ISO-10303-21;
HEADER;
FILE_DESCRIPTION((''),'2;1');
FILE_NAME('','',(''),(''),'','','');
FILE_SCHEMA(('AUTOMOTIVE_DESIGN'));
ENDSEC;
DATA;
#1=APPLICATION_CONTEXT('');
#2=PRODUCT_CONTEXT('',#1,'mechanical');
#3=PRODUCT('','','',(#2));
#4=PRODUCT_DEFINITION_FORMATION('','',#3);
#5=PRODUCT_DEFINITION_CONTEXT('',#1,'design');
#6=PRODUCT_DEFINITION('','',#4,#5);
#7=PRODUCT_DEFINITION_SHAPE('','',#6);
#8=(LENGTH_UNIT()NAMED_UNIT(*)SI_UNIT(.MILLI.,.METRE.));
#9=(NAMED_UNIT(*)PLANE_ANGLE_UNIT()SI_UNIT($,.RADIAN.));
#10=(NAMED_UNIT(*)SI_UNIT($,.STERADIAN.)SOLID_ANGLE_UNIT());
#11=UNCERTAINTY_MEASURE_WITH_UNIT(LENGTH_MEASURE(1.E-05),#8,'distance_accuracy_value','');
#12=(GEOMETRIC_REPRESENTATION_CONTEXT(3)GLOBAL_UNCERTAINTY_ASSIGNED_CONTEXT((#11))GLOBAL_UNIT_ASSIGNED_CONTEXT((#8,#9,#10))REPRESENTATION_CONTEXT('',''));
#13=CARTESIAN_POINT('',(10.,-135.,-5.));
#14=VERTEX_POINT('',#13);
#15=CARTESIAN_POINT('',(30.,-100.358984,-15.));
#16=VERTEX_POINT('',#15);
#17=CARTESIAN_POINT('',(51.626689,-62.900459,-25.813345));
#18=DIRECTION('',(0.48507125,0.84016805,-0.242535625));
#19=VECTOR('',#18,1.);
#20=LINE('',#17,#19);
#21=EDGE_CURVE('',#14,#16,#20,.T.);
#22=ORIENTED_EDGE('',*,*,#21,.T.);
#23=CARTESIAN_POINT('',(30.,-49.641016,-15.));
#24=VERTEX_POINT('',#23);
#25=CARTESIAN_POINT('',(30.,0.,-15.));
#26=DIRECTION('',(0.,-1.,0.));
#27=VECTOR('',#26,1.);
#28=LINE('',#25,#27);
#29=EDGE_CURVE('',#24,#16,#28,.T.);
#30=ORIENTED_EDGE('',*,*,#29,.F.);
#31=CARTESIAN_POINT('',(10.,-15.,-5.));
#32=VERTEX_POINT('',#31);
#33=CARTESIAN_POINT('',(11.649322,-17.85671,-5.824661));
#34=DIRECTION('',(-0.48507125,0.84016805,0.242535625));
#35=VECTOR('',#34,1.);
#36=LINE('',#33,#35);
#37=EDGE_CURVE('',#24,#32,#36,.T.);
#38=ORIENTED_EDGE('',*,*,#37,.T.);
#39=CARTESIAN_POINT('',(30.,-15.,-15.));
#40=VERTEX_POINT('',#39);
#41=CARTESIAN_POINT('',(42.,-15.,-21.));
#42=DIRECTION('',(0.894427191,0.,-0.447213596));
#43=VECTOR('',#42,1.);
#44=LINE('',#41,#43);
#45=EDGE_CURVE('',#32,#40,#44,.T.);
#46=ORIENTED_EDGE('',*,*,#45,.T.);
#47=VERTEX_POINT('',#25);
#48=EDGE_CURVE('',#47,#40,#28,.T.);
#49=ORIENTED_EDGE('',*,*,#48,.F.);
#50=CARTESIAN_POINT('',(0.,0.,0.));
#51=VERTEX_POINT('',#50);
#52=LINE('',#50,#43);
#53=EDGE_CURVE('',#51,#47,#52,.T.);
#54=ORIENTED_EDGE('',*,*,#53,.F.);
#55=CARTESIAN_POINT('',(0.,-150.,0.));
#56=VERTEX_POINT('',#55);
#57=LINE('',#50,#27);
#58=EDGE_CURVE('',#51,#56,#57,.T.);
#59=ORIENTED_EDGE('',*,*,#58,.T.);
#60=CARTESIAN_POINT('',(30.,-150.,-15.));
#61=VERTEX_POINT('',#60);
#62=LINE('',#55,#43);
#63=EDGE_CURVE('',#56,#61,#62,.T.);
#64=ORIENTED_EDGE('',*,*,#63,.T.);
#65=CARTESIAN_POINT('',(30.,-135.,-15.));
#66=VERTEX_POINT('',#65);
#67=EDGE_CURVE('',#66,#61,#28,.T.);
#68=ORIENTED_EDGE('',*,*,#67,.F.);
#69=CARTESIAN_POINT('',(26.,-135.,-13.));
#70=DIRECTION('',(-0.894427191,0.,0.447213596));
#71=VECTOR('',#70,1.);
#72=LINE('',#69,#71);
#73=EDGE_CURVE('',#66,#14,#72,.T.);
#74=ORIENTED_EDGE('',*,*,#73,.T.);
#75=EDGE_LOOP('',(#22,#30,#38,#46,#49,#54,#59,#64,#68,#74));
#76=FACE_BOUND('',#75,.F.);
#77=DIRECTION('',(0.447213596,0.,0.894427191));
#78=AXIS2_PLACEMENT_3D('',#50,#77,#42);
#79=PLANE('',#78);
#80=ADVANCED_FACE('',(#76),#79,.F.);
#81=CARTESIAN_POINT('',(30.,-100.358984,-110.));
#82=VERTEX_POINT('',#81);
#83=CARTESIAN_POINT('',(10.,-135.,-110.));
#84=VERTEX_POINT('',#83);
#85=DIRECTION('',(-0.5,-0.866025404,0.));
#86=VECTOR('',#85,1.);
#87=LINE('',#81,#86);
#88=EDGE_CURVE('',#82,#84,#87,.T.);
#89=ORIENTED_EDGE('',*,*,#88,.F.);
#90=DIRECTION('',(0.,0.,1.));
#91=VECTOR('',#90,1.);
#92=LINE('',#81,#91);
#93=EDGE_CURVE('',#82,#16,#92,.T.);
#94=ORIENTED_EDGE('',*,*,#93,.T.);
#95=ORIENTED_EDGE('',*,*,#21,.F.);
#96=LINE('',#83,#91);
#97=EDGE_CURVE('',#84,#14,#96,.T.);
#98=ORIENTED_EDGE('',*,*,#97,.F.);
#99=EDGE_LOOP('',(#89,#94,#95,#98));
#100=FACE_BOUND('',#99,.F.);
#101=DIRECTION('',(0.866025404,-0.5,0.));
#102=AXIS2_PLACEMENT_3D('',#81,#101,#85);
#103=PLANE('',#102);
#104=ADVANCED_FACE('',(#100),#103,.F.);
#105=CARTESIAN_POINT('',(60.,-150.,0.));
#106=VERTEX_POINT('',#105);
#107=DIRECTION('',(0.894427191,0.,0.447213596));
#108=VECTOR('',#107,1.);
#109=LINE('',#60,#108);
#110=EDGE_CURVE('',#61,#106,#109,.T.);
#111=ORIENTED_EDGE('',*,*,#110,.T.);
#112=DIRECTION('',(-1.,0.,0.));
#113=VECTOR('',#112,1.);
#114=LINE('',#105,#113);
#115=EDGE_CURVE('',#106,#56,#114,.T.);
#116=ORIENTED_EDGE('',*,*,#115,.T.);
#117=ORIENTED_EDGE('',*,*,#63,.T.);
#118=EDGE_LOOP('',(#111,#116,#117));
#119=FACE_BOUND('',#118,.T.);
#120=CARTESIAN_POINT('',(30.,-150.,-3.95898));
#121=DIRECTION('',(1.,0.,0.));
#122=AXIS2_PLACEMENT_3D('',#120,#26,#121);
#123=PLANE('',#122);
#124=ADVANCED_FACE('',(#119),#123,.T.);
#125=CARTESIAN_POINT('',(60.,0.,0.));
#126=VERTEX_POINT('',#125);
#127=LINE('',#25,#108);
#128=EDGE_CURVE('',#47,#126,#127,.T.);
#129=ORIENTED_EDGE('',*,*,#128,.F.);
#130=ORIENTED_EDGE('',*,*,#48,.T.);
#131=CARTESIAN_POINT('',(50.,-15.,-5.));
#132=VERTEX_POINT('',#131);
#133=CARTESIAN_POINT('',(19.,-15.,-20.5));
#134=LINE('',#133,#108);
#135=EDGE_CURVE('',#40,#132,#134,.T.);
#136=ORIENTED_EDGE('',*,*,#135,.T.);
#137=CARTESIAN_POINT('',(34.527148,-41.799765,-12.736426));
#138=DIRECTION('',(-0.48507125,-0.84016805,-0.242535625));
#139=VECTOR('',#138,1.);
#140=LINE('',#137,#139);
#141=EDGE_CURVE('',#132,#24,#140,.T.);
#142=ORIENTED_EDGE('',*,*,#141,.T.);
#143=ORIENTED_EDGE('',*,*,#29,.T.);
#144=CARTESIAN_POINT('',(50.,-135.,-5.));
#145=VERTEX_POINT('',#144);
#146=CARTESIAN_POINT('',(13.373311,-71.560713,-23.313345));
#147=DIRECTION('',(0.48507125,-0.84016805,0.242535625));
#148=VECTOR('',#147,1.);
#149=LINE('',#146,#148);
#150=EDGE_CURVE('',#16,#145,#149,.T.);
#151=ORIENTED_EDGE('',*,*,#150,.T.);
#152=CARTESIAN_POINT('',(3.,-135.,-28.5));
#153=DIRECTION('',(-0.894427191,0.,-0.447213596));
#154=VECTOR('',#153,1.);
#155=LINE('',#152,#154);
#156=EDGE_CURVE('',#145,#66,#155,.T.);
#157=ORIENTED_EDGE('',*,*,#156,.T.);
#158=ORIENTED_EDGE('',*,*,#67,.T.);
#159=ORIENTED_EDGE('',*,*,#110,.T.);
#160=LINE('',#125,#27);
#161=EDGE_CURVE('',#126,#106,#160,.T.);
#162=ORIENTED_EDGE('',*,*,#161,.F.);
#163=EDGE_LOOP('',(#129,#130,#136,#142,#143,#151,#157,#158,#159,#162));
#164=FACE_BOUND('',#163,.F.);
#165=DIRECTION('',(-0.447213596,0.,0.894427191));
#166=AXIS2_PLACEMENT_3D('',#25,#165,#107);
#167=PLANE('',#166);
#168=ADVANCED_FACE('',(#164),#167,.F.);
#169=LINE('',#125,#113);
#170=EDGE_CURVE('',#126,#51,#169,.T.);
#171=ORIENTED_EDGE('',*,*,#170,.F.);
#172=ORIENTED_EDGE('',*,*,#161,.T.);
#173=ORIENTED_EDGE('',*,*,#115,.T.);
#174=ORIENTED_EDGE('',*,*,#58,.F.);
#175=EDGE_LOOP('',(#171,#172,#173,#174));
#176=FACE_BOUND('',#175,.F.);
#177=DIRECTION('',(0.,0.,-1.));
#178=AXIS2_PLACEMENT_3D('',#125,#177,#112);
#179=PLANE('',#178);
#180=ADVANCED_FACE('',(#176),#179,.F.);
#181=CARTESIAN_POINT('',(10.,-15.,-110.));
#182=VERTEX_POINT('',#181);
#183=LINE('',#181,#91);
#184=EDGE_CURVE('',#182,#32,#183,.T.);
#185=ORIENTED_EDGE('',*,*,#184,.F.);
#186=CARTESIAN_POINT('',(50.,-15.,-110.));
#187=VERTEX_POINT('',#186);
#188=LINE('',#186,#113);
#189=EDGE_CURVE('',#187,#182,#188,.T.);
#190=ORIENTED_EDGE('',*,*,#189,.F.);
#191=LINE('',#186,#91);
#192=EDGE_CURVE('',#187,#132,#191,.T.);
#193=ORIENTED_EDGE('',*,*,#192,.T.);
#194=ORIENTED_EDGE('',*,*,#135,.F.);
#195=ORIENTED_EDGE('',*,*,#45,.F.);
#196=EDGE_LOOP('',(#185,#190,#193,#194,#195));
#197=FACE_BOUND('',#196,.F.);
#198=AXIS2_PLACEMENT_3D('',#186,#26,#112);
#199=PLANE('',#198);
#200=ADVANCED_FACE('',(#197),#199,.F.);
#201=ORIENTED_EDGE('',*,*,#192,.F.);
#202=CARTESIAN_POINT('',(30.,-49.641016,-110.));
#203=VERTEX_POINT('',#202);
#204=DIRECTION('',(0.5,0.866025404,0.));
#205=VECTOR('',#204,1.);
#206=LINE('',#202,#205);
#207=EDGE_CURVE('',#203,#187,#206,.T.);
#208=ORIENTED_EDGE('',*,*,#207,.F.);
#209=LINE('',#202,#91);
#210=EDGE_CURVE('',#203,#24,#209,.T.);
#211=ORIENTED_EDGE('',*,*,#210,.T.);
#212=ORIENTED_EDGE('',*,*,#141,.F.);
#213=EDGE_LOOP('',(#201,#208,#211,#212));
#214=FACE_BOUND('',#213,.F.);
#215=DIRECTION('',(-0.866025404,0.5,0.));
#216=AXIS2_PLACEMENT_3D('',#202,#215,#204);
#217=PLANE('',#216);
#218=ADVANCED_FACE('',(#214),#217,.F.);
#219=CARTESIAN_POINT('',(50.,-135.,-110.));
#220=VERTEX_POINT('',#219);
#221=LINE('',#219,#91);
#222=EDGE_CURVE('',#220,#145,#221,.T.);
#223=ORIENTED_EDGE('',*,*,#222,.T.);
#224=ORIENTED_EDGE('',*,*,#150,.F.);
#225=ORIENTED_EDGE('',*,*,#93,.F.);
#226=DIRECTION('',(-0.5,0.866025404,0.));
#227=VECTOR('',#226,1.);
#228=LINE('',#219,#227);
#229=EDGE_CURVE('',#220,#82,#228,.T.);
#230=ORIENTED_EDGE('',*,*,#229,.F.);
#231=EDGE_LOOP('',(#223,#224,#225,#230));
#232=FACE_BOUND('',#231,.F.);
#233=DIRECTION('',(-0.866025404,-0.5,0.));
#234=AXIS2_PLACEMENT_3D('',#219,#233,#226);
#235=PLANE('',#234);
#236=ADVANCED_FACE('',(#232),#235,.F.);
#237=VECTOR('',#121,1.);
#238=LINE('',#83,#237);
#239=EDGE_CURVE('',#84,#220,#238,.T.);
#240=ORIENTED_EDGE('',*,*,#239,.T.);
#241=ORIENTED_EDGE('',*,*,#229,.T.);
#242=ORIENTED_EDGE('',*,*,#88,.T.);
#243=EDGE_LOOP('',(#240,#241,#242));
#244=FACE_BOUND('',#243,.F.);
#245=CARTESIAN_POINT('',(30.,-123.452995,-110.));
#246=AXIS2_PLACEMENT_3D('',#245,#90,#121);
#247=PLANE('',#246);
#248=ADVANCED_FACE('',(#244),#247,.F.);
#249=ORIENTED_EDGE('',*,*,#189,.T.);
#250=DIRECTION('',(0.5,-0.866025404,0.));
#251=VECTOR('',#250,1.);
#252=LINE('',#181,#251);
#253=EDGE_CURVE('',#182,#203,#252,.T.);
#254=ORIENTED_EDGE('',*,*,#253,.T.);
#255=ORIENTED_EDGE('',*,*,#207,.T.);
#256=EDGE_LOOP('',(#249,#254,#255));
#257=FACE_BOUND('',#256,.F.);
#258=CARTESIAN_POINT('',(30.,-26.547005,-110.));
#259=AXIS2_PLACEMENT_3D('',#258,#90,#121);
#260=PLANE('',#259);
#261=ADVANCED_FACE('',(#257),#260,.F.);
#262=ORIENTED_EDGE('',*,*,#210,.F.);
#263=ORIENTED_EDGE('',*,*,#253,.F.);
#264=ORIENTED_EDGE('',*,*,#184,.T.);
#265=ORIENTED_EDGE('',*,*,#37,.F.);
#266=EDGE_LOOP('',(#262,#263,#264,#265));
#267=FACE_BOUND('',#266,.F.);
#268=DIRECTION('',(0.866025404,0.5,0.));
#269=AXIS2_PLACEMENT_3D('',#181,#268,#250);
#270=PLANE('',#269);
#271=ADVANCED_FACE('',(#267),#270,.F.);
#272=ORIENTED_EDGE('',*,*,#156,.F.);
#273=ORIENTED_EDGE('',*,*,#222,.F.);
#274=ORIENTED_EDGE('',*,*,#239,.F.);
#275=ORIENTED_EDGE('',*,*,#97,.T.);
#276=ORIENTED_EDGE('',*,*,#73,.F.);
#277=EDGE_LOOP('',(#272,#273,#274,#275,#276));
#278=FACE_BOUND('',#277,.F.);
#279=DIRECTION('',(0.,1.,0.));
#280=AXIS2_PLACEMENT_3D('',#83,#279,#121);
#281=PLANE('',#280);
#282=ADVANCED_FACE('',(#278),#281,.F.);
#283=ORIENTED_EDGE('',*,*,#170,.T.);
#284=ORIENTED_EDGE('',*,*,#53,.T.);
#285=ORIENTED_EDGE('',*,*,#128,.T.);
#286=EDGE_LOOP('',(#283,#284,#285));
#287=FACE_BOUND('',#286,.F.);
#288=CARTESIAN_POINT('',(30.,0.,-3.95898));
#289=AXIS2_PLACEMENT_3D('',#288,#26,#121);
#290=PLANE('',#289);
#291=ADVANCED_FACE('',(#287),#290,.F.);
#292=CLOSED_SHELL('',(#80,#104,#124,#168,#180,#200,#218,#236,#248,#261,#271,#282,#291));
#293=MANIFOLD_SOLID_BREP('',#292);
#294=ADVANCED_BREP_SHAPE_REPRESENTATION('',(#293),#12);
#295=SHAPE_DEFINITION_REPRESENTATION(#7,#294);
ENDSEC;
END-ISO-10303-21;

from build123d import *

# Parameters (mm, degrees)
F1_DEPTH = 150
F4_DEPTH = 110


with BuildPart() as f1:
    # F0 (on Front) → F1 (new body)
    with BuildSketch(Plane.XZ):
        Polygon((60, 0), (0, 0), (30, -15), align=None)
    extrude(amount=F1_DEPTH)

    # F3 (on offset) → F4 (join)
    with BuildSketch(Plane.XY.offset(-110)):
        Polygon((30, -100.3589838486), (10, -135), (50, -135), align=None)
        Polygon((30, -49.6410161514), (50, -15), (10, -15), align=None)
    extrude(amount=F4_DEPTH)


solid = f1.part
